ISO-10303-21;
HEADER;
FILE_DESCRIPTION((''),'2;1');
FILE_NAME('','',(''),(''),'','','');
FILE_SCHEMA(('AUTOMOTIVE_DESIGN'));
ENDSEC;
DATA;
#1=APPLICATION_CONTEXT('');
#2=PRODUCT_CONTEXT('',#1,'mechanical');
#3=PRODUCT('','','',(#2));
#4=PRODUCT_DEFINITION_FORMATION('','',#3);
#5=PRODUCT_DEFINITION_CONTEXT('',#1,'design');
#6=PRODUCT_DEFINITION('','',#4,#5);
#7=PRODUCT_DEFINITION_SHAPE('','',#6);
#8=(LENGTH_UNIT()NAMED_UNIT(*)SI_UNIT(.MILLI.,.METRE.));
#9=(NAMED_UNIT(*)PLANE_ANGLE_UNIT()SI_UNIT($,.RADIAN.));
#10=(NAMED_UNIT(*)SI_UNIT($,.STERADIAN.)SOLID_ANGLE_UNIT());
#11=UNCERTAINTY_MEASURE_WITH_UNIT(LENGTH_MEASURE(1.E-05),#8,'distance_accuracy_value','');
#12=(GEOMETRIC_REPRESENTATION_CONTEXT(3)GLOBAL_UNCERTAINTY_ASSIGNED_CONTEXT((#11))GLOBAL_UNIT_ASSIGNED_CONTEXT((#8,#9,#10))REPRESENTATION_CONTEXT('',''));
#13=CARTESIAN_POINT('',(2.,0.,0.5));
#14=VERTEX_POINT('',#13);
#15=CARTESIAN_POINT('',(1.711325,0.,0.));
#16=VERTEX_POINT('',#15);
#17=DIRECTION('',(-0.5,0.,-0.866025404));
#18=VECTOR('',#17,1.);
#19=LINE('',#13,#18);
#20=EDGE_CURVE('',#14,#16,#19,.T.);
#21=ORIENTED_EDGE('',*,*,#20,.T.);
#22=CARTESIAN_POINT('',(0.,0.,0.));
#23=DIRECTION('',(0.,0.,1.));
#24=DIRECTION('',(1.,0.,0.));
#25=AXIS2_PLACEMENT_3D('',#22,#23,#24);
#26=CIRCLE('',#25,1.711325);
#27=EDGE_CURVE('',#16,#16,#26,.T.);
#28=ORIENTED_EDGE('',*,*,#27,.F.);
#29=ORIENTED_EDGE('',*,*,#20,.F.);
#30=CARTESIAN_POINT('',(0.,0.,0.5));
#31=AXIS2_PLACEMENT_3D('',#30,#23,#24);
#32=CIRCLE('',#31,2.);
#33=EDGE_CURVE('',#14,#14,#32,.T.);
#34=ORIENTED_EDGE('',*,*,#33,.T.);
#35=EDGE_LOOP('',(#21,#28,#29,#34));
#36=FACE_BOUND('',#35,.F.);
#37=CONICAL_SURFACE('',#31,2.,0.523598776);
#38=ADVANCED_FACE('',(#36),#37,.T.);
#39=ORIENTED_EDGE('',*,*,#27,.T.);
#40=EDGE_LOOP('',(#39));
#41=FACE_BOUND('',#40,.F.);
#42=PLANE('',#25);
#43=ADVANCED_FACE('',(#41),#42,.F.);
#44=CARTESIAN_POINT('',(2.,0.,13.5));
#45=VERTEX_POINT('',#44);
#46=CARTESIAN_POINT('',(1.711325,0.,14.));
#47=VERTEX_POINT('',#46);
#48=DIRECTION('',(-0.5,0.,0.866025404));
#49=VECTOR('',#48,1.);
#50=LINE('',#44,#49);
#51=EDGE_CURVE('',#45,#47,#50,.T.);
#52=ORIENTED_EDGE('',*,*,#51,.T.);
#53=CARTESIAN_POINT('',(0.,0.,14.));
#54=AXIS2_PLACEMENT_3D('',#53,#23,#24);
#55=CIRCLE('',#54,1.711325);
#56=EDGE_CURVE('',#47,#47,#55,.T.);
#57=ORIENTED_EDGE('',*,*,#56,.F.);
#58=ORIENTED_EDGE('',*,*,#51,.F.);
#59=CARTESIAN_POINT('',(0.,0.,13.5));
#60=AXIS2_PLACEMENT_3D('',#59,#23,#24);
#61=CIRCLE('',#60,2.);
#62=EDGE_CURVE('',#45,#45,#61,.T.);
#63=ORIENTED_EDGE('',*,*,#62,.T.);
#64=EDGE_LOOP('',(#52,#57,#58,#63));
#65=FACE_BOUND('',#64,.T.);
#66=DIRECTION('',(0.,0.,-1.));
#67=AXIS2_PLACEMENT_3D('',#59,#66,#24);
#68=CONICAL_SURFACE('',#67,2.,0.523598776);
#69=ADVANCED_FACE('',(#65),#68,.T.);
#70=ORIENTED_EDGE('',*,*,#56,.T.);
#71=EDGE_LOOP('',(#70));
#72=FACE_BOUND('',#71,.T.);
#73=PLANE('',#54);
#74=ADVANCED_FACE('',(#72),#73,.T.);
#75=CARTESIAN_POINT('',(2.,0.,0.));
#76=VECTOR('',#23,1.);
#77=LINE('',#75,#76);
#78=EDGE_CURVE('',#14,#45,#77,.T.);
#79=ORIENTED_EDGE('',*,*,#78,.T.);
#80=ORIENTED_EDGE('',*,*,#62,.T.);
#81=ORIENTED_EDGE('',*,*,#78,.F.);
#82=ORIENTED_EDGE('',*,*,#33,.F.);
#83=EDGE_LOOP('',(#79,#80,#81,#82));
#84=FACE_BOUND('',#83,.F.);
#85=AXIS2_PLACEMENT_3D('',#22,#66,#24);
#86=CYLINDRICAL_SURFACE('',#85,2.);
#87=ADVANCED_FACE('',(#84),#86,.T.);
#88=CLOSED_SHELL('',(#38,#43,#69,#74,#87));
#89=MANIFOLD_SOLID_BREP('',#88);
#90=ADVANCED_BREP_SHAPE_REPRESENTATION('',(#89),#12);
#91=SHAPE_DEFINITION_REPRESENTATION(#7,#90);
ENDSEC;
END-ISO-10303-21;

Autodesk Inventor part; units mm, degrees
ref_plane "YZ Plane" through (0, 0, 0) normal (1, 0, 0) x (0, 1, 0)
ref_plane "XZ Plane" through (0, 0, 0) normal (0, 1, 0) x (-1, 0, 0)
ref_plane "XY Plane" through (0, 0, 0) normal (0, 0, 1) x (1, 0, 0)
sketch "スケッチ1" plane through (0, 0, 0) normal (0, 0, 1) x (1, 0, 0)
  circle A0 centre (0, 0) radius 2
  dimension "d0" = 4
extrude "押し出し1" add sketch "スケッチ1" along normal blind 14
chamfer "面取り1" distance 0.5 angle 30 2 edges at (-2, 0, 14) (-2, 0, 0) measured on face at (1.9741, -0.3208, 9.3333)
properties part number "平行ピンΦ4.14" material "鋼、高強度、低合金"
